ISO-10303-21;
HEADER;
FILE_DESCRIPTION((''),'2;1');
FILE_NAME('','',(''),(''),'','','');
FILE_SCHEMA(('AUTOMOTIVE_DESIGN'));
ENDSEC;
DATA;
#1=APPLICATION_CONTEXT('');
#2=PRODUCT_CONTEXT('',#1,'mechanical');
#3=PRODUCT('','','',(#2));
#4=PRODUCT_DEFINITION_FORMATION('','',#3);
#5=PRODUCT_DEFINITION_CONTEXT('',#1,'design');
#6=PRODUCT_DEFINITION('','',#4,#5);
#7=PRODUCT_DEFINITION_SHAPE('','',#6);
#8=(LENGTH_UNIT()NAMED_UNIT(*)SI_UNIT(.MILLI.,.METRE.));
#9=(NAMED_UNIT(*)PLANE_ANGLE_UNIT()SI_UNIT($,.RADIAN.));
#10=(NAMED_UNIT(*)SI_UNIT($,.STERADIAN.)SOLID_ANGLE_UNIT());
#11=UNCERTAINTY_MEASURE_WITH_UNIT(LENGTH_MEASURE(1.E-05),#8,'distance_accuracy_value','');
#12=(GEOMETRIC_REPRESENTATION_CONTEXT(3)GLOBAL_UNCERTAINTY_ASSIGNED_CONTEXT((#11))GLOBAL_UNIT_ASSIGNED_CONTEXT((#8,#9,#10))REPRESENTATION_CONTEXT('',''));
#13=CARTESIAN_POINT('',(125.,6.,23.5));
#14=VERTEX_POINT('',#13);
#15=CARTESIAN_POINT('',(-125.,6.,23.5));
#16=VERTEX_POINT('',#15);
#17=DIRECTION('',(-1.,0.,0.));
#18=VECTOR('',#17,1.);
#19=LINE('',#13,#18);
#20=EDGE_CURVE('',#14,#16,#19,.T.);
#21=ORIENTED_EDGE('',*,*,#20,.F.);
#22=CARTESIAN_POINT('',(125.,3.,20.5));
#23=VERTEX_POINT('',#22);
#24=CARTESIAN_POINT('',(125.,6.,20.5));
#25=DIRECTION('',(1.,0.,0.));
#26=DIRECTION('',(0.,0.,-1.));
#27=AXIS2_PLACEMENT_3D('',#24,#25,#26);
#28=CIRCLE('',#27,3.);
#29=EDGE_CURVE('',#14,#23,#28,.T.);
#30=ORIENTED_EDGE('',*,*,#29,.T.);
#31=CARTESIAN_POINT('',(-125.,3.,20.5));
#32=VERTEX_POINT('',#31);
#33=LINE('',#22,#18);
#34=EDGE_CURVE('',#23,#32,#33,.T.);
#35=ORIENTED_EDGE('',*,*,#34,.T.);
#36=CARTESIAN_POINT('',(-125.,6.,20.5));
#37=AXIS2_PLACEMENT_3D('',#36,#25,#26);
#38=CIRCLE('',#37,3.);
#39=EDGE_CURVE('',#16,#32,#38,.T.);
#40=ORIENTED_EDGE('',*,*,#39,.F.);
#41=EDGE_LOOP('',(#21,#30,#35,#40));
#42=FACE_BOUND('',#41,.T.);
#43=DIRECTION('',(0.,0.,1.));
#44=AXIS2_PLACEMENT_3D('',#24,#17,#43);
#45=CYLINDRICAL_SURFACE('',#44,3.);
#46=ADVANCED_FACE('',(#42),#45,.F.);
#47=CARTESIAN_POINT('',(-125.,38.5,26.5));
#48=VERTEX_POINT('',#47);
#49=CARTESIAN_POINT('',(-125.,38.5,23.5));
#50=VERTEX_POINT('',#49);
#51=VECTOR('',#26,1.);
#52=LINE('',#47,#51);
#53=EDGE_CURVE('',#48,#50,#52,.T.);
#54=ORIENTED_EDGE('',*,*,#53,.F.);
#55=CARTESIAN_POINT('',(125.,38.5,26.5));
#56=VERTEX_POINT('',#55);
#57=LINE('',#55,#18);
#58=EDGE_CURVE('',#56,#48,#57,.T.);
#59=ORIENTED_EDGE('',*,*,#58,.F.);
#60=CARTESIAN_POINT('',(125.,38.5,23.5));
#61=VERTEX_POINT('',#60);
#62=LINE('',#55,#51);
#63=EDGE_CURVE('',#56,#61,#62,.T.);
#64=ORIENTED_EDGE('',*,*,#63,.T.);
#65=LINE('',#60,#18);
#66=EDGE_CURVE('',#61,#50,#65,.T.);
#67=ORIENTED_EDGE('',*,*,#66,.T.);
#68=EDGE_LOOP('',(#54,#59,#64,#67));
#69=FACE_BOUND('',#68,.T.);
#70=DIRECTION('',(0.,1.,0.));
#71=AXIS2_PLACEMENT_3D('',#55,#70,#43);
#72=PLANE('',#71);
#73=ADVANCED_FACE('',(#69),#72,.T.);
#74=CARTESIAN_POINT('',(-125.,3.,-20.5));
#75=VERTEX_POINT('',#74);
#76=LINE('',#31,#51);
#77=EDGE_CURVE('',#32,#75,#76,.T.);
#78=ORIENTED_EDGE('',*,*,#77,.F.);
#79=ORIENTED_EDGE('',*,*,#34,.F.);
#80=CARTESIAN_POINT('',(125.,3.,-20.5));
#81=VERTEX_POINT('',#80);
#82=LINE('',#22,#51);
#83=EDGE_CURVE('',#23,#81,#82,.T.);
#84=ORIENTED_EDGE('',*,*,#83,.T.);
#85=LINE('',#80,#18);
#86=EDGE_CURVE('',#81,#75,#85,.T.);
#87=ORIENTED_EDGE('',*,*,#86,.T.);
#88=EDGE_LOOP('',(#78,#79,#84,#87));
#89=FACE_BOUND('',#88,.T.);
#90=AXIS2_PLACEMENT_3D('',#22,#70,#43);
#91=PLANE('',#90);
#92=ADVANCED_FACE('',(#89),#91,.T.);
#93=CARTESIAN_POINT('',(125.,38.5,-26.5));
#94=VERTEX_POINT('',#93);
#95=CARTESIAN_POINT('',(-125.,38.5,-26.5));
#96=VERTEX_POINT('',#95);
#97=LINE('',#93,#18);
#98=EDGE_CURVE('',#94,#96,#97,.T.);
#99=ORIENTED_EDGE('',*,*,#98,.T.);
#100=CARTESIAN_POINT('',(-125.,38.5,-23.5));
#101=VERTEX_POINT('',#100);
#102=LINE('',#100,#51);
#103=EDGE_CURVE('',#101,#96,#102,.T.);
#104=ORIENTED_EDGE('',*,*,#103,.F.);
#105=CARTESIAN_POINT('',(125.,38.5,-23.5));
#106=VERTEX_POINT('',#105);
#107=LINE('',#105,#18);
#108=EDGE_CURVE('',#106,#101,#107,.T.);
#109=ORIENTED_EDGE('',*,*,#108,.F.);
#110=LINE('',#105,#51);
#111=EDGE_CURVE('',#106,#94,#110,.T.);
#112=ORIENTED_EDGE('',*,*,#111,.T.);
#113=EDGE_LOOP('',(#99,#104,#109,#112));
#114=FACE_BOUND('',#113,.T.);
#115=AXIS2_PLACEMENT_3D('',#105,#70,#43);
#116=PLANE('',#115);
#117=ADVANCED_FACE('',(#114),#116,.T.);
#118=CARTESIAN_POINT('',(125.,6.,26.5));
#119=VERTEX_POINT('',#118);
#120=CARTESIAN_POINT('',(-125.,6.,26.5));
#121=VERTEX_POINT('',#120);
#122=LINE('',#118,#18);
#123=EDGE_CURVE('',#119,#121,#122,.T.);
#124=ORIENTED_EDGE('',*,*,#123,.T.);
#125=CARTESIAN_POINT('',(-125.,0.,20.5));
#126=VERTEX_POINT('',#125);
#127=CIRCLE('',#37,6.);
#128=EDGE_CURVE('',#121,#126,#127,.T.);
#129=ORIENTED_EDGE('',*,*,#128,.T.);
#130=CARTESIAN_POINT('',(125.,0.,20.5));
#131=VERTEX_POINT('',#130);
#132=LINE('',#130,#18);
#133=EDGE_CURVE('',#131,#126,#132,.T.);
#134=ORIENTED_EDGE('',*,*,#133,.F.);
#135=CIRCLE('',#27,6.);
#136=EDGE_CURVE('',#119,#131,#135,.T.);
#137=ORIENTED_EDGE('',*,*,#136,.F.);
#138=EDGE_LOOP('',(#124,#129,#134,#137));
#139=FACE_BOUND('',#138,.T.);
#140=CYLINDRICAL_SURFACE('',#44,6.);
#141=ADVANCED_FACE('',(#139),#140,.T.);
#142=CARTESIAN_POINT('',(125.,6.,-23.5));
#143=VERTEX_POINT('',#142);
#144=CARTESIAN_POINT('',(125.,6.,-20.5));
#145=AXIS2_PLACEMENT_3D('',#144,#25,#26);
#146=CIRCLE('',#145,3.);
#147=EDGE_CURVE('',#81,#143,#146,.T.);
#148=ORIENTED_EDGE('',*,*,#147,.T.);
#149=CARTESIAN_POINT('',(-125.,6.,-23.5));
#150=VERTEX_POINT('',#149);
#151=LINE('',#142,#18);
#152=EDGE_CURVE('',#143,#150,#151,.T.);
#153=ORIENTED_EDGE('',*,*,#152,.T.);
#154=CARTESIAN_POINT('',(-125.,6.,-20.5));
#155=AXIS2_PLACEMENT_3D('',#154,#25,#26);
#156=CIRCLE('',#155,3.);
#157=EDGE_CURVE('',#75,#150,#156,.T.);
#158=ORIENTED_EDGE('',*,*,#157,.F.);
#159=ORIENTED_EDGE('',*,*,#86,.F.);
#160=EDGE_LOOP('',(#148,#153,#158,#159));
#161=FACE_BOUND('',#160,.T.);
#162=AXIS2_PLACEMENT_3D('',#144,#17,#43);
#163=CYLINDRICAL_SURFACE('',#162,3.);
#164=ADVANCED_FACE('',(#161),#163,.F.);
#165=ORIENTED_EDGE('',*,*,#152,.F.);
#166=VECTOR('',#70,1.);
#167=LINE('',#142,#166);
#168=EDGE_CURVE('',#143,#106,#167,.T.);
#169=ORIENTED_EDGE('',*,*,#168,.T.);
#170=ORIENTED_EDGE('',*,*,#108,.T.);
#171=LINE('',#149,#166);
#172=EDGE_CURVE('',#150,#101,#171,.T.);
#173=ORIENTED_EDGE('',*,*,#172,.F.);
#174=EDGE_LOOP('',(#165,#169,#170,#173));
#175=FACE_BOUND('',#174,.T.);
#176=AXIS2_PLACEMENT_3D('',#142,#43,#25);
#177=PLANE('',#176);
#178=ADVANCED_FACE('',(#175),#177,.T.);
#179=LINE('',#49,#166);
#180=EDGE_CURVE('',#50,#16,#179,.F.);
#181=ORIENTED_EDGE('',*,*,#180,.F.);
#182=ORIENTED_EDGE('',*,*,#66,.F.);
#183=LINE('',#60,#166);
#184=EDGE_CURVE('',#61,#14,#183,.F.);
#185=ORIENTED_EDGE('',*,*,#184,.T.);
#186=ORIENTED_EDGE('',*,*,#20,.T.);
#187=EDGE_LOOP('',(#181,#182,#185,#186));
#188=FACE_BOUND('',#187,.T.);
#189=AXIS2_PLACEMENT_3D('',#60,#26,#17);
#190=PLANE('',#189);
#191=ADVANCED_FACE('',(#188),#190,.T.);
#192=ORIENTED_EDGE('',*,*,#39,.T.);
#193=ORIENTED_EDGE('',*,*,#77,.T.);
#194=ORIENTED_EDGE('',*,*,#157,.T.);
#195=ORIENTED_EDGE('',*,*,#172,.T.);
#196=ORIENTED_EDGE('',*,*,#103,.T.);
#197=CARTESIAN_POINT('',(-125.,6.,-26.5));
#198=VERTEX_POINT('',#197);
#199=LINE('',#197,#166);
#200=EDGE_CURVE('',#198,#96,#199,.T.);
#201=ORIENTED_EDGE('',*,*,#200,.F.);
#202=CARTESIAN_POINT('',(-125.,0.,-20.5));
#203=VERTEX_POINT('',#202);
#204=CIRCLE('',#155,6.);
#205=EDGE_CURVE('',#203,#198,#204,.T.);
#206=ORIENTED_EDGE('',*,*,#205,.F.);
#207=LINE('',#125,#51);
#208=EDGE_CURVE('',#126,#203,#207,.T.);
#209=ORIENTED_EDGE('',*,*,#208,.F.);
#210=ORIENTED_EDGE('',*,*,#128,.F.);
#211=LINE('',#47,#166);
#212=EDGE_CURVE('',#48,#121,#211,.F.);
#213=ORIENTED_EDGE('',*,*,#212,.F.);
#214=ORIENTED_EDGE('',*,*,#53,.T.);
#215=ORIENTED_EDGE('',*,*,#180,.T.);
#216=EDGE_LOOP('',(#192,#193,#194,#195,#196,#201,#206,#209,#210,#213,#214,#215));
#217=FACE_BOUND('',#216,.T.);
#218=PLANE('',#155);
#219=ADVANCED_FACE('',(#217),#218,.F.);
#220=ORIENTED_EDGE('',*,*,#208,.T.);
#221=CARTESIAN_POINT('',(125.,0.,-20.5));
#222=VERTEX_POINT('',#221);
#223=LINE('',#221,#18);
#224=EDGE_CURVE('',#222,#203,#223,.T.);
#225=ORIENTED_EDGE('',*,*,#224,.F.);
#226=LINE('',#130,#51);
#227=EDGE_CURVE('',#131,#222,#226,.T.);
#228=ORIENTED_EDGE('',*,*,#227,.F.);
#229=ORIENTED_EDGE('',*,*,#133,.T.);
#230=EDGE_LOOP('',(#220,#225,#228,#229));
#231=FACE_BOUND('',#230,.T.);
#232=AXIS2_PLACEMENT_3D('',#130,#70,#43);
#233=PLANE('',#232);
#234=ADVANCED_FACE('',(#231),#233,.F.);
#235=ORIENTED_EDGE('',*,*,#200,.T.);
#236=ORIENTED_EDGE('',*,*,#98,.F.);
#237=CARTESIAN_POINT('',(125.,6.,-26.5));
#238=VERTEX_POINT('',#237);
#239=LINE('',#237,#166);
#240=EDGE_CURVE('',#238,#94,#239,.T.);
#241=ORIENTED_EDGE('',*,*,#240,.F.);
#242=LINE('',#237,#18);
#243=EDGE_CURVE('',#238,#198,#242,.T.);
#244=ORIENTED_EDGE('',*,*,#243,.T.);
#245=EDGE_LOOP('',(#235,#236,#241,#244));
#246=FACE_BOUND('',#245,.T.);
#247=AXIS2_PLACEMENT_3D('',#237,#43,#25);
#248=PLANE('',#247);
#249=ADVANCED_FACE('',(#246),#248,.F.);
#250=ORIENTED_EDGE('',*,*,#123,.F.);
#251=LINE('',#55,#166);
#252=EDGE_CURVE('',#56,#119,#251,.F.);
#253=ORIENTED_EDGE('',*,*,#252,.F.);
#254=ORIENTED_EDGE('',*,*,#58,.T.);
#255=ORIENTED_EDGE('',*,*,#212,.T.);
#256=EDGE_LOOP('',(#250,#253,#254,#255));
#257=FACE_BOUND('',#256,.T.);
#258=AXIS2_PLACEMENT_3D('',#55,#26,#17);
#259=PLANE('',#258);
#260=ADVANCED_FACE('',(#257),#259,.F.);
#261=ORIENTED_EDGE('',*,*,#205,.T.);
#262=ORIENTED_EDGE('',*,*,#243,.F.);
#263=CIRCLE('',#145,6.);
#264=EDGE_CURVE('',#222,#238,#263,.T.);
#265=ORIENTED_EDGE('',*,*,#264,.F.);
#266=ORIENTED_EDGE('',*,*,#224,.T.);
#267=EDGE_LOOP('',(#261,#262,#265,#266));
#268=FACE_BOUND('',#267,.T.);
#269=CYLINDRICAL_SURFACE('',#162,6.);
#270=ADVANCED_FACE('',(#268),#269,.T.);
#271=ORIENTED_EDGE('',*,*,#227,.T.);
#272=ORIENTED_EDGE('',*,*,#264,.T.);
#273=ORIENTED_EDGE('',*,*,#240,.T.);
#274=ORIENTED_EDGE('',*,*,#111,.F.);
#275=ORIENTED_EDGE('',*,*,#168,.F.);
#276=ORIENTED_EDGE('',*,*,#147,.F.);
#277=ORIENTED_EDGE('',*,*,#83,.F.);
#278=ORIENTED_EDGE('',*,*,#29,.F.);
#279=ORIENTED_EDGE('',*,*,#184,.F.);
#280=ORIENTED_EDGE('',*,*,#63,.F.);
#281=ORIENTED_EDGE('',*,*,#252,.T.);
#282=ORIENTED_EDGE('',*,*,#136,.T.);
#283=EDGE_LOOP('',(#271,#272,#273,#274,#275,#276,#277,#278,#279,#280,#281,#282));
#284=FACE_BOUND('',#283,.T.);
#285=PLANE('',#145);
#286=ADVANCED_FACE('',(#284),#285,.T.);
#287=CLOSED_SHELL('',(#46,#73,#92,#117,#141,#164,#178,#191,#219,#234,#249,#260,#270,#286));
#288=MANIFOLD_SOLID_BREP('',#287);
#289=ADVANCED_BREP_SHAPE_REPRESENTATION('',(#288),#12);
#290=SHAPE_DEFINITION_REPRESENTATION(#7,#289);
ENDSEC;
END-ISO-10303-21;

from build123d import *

# Parameters (mm, degrees)
TRACK_DEPTH = 125


with BuildPart() as part:
    # 草图1 → Track (new, symmetric)
    with BuildSketch(Plane(origin=(0, 0, 0), x_dir=(0, 0, -1), z_dir=(1, 0, 0))):
        with BuildLine():
            Line((-26.5, 38.5), (-26.5, 6))
            ThreePointArc((-26.5, 6), (-24.742640687, 1.757359313), (-20.5, 0))
            Line((-20.5, 0), (20.5, 0))
            ThreePointArc((20.5, 0), (24.742640687, 1.757359313), (26.5, 6))
            Line((26.5, 6), (26.5, 38.5))
            Line((26.5, 38.5), (23.5, 38.5))
            Line((23.5, 38.5), (23.5, 6))
            ThreePointArc((23.5, 6), (22.621320344, 3.878679656), (20.5, 3))
            Line((20.5, 3), (-20.5, 3))
            ThreePointArc((-20.5, 3), (-22.621320344, 3.878679656), (-23.5, 6))
            Line((-23.5, 6), (-23.5, 38.5))
            Line((-23.5, 38.5), (-26.5, 38.5))
        make_face()
    extrude(amount=TRACK_DEPTH, both=True)


solid = part.part
